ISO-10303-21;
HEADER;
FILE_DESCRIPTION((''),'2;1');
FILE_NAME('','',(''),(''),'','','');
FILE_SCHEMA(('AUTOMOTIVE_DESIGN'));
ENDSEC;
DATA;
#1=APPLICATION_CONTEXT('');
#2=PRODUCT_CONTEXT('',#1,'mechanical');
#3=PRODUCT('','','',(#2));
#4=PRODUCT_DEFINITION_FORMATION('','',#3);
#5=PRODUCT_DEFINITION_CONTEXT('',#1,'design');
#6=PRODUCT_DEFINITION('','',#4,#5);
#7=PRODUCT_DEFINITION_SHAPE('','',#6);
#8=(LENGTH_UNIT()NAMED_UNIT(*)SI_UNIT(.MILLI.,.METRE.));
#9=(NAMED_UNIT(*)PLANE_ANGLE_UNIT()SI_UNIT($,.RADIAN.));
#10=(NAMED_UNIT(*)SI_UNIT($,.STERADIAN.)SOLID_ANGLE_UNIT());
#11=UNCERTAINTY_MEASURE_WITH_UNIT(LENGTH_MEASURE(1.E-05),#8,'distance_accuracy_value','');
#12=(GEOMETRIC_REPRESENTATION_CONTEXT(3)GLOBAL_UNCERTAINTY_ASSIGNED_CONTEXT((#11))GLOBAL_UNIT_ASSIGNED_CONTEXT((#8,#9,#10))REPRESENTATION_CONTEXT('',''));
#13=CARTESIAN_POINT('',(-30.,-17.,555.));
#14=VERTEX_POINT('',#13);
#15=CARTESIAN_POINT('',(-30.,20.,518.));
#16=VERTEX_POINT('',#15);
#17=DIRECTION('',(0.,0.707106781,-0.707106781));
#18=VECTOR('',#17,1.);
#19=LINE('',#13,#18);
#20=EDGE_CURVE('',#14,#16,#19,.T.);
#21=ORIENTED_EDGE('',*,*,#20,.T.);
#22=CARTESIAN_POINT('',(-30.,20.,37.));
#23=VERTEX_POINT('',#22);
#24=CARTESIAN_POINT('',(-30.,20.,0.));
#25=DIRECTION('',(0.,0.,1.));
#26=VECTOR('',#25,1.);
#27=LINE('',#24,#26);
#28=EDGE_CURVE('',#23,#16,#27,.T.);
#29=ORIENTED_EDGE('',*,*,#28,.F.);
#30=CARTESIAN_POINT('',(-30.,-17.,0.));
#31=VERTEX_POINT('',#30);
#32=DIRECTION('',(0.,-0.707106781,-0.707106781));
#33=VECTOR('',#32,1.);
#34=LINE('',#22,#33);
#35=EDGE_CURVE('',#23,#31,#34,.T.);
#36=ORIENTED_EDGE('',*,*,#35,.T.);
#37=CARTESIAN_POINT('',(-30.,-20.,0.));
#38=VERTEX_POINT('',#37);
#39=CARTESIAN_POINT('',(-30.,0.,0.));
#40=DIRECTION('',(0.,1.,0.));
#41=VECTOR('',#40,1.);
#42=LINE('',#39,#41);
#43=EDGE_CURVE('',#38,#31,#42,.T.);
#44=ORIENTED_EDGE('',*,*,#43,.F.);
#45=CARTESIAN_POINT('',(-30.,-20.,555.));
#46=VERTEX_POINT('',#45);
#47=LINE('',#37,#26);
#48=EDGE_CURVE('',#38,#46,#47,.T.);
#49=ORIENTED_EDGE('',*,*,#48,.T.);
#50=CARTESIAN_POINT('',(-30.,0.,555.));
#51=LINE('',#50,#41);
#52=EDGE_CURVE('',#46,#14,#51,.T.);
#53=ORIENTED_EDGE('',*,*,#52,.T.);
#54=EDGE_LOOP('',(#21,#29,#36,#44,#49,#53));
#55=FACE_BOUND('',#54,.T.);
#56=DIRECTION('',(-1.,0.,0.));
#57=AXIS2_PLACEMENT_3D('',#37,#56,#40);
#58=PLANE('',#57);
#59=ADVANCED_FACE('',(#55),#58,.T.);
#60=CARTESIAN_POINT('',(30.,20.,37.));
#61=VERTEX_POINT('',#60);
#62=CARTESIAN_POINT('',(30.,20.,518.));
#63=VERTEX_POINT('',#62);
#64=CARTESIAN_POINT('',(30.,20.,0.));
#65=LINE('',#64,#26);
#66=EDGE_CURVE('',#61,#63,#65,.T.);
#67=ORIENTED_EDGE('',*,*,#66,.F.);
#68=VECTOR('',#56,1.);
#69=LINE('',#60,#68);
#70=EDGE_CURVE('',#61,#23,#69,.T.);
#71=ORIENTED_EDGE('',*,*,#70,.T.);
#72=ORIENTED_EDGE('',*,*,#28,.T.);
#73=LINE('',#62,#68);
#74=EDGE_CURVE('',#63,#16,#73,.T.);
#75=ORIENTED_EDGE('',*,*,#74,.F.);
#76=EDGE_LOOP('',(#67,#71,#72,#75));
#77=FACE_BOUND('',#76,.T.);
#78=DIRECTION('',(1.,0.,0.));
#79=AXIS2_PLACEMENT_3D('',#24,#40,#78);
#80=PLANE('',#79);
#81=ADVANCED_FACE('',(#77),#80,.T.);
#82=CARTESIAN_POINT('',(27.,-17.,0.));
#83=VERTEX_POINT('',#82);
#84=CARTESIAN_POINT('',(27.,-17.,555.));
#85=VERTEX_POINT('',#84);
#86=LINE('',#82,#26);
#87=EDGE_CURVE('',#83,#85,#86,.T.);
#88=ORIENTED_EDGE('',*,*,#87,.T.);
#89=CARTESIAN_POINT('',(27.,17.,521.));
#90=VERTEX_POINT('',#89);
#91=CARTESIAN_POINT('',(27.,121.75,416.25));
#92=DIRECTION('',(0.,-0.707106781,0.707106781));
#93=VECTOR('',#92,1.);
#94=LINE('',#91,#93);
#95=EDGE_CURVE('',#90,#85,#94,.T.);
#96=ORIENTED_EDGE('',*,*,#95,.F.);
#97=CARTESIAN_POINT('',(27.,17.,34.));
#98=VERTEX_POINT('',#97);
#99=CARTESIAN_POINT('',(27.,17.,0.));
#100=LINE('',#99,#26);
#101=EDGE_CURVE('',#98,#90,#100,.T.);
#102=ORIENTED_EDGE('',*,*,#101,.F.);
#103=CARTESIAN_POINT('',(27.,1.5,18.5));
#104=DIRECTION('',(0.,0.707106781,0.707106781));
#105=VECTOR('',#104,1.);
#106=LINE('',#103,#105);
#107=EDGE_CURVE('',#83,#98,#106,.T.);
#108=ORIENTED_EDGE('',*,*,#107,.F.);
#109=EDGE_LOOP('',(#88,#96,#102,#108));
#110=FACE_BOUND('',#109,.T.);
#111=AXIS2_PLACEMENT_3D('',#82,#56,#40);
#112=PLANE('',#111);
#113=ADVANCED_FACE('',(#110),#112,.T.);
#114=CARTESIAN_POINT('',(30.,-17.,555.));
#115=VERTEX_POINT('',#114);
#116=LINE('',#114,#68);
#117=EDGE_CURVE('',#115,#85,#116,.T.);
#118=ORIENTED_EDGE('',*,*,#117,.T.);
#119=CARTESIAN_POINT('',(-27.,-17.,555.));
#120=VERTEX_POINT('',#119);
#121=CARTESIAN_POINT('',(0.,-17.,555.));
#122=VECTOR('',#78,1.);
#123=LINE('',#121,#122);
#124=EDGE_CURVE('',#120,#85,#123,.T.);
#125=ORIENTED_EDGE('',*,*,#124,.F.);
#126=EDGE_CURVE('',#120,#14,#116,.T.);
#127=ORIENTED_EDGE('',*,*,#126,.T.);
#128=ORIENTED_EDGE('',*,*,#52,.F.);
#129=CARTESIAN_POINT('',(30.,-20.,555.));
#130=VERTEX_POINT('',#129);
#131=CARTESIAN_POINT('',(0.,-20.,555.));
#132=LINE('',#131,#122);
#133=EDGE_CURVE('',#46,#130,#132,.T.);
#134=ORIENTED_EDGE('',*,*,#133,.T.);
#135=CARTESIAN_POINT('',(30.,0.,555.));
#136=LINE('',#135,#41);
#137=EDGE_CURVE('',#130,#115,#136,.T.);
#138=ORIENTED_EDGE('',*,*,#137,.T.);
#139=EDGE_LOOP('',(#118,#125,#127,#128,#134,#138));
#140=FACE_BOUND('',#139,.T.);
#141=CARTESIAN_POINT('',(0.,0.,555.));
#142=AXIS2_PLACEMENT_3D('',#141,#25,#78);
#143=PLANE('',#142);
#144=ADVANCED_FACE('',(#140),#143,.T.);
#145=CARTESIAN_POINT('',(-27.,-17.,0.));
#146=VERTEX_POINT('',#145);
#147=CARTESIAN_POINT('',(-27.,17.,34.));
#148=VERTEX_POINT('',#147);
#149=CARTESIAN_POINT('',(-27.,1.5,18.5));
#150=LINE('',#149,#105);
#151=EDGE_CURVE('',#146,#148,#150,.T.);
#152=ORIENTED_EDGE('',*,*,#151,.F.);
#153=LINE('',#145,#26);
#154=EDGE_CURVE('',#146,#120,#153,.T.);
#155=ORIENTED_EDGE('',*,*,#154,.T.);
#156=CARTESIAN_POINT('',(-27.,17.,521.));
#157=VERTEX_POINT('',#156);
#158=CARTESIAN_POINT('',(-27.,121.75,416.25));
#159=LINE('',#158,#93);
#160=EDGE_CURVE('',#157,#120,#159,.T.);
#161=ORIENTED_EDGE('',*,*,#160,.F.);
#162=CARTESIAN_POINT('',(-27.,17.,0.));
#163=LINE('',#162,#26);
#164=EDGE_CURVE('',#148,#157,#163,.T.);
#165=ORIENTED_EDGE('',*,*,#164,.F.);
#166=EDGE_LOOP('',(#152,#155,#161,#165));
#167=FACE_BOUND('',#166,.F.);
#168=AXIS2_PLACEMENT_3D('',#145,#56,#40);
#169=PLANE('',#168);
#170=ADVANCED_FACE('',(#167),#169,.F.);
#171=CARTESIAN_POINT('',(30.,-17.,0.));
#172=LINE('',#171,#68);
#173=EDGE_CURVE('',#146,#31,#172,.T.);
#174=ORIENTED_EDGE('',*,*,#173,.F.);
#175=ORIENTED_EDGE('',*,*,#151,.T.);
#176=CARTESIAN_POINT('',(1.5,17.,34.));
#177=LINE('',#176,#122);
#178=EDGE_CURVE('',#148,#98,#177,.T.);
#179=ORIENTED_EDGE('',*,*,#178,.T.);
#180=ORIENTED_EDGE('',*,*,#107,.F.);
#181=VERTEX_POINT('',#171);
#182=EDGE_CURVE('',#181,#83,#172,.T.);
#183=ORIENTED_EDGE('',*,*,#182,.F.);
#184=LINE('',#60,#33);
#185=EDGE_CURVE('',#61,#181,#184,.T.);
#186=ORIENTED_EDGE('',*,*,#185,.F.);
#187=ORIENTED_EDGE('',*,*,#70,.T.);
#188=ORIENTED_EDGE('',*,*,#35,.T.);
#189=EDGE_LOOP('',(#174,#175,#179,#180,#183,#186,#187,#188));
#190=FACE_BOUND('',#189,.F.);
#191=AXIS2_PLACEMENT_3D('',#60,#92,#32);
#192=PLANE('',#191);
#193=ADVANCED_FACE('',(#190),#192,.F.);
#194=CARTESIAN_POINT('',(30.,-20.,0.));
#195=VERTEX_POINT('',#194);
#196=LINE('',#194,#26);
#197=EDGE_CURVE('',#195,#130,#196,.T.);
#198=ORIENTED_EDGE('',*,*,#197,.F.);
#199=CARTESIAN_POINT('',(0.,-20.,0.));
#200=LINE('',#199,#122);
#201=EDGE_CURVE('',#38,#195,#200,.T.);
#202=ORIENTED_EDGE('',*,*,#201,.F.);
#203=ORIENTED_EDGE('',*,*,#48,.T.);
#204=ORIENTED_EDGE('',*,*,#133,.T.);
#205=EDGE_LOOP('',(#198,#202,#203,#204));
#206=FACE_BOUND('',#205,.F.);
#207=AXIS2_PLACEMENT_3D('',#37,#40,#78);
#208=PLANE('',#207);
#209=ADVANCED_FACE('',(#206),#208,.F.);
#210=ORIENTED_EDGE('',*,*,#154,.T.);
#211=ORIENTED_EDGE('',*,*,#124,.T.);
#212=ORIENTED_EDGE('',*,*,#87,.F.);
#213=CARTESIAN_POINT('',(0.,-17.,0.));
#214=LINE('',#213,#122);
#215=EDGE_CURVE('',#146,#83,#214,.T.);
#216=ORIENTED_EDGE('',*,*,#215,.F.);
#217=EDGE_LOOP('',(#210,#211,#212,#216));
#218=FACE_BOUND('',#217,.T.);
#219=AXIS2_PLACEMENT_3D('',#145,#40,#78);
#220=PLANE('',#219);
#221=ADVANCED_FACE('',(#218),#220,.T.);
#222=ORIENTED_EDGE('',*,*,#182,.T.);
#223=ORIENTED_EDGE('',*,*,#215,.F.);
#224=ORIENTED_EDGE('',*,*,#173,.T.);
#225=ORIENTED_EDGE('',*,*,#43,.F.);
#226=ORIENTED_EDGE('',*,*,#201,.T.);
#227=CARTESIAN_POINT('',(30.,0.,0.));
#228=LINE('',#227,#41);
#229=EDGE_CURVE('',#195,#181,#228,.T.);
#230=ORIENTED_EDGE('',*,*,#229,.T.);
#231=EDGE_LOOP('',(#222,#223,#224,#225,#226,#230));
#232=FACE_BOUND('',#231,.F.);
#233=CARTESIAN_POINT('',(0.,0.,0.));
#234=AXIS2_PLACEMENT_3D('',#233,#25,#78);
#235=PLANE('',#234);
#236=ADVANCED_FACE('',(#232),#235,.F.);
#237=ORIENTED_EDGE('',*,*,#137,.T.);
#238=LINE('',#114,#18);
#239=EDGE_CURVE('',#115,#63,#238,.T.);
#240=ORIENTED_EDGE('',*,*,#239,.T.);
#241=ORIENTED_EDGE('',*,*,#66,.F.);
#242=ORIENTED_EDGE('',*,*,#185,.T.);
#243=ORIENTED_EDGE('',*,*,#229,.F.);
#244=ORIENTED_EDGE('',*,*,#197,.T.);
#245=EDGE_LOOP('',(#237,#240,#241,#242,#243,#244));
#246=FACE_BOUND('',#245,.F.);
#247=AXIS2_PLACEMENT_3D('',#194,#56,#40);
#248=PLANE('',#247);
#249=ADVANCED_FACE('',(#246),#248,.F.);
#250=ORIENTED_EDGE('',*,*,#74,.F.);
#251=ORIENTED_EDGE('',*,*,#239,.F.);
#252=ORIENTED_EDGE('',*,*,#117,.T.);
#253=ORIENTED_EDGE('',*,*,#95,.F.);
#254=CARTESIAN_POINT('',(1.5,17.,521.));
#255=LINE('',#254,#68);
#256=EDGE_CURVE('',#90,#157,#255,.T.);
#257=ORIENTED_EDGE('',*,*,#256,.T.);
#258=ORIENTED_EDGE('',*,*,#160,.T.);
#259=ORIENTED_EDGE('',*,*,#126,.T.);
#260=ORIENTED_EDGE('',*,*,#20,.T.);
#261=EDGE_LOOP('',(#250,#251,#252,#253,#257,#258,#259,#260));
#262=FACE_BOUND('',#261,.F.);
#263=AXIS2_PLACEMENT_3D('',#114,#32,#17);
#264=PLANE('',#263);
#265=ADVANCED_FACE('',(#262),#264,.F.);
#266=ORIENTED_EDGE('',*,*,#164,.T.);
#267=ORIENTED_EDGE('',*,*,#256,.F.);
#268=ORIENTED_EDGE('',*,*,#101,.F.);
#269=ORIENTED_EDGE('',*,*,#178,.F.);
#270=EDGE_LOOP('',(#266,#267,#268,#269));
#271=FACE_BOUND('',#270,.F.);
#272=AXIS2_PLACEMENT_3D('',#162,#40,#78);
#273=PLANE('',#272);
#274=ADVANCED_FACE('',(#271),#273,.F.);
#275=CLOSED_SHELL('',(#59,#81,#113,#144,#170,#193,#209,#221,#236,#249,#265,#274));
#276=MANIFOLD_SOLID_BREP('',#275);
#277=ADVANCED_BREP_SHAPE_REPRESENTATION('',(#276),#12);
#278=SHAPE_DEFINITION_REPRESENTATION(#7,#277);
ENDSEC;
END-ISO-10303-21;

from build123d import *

# Parameters (mm, degrees)
F0_W     = 60
F0_H     = 40
F0_W_2   = 54
F0_H_2   = 34
F1_DEPTH = 555
F3_DEPTH = 60
F4_DEPTH = 60


with BuildPart() as f1:
    # F0 (on Top) → F1 (new body)
    with BuildSketch(Plane.XY):
        Rectangle(F0_W, F0_H)
        Rectangle(F0_W_2, F0_H_2, mode=Mode.SUBTRACT)
    extrude(amount=F1_DEPTH)

    # F2 (on face) → F3 (cut)
    with BuildSketch(Plane.YZ.offset(30)):
        Polygon((20, 555), (-17, 555), (20, 518), align=None)
        Polygon((-17, 0), (20, 0), (20, 37), align=None)
    extrude(amount=-F3_DEPTH, mode=Mode.SUBTRACT)

    # F2 (on face) → F4 (cut)
    with BuildSketch(Plane.YZ.offset(30)):
        Polygon((20, 0), (20, 37), (-17, 0), align=None)
    extrude(amount=-F4_DEPTH, mode=Mode.SUBTRACT)


solid = f1.part
